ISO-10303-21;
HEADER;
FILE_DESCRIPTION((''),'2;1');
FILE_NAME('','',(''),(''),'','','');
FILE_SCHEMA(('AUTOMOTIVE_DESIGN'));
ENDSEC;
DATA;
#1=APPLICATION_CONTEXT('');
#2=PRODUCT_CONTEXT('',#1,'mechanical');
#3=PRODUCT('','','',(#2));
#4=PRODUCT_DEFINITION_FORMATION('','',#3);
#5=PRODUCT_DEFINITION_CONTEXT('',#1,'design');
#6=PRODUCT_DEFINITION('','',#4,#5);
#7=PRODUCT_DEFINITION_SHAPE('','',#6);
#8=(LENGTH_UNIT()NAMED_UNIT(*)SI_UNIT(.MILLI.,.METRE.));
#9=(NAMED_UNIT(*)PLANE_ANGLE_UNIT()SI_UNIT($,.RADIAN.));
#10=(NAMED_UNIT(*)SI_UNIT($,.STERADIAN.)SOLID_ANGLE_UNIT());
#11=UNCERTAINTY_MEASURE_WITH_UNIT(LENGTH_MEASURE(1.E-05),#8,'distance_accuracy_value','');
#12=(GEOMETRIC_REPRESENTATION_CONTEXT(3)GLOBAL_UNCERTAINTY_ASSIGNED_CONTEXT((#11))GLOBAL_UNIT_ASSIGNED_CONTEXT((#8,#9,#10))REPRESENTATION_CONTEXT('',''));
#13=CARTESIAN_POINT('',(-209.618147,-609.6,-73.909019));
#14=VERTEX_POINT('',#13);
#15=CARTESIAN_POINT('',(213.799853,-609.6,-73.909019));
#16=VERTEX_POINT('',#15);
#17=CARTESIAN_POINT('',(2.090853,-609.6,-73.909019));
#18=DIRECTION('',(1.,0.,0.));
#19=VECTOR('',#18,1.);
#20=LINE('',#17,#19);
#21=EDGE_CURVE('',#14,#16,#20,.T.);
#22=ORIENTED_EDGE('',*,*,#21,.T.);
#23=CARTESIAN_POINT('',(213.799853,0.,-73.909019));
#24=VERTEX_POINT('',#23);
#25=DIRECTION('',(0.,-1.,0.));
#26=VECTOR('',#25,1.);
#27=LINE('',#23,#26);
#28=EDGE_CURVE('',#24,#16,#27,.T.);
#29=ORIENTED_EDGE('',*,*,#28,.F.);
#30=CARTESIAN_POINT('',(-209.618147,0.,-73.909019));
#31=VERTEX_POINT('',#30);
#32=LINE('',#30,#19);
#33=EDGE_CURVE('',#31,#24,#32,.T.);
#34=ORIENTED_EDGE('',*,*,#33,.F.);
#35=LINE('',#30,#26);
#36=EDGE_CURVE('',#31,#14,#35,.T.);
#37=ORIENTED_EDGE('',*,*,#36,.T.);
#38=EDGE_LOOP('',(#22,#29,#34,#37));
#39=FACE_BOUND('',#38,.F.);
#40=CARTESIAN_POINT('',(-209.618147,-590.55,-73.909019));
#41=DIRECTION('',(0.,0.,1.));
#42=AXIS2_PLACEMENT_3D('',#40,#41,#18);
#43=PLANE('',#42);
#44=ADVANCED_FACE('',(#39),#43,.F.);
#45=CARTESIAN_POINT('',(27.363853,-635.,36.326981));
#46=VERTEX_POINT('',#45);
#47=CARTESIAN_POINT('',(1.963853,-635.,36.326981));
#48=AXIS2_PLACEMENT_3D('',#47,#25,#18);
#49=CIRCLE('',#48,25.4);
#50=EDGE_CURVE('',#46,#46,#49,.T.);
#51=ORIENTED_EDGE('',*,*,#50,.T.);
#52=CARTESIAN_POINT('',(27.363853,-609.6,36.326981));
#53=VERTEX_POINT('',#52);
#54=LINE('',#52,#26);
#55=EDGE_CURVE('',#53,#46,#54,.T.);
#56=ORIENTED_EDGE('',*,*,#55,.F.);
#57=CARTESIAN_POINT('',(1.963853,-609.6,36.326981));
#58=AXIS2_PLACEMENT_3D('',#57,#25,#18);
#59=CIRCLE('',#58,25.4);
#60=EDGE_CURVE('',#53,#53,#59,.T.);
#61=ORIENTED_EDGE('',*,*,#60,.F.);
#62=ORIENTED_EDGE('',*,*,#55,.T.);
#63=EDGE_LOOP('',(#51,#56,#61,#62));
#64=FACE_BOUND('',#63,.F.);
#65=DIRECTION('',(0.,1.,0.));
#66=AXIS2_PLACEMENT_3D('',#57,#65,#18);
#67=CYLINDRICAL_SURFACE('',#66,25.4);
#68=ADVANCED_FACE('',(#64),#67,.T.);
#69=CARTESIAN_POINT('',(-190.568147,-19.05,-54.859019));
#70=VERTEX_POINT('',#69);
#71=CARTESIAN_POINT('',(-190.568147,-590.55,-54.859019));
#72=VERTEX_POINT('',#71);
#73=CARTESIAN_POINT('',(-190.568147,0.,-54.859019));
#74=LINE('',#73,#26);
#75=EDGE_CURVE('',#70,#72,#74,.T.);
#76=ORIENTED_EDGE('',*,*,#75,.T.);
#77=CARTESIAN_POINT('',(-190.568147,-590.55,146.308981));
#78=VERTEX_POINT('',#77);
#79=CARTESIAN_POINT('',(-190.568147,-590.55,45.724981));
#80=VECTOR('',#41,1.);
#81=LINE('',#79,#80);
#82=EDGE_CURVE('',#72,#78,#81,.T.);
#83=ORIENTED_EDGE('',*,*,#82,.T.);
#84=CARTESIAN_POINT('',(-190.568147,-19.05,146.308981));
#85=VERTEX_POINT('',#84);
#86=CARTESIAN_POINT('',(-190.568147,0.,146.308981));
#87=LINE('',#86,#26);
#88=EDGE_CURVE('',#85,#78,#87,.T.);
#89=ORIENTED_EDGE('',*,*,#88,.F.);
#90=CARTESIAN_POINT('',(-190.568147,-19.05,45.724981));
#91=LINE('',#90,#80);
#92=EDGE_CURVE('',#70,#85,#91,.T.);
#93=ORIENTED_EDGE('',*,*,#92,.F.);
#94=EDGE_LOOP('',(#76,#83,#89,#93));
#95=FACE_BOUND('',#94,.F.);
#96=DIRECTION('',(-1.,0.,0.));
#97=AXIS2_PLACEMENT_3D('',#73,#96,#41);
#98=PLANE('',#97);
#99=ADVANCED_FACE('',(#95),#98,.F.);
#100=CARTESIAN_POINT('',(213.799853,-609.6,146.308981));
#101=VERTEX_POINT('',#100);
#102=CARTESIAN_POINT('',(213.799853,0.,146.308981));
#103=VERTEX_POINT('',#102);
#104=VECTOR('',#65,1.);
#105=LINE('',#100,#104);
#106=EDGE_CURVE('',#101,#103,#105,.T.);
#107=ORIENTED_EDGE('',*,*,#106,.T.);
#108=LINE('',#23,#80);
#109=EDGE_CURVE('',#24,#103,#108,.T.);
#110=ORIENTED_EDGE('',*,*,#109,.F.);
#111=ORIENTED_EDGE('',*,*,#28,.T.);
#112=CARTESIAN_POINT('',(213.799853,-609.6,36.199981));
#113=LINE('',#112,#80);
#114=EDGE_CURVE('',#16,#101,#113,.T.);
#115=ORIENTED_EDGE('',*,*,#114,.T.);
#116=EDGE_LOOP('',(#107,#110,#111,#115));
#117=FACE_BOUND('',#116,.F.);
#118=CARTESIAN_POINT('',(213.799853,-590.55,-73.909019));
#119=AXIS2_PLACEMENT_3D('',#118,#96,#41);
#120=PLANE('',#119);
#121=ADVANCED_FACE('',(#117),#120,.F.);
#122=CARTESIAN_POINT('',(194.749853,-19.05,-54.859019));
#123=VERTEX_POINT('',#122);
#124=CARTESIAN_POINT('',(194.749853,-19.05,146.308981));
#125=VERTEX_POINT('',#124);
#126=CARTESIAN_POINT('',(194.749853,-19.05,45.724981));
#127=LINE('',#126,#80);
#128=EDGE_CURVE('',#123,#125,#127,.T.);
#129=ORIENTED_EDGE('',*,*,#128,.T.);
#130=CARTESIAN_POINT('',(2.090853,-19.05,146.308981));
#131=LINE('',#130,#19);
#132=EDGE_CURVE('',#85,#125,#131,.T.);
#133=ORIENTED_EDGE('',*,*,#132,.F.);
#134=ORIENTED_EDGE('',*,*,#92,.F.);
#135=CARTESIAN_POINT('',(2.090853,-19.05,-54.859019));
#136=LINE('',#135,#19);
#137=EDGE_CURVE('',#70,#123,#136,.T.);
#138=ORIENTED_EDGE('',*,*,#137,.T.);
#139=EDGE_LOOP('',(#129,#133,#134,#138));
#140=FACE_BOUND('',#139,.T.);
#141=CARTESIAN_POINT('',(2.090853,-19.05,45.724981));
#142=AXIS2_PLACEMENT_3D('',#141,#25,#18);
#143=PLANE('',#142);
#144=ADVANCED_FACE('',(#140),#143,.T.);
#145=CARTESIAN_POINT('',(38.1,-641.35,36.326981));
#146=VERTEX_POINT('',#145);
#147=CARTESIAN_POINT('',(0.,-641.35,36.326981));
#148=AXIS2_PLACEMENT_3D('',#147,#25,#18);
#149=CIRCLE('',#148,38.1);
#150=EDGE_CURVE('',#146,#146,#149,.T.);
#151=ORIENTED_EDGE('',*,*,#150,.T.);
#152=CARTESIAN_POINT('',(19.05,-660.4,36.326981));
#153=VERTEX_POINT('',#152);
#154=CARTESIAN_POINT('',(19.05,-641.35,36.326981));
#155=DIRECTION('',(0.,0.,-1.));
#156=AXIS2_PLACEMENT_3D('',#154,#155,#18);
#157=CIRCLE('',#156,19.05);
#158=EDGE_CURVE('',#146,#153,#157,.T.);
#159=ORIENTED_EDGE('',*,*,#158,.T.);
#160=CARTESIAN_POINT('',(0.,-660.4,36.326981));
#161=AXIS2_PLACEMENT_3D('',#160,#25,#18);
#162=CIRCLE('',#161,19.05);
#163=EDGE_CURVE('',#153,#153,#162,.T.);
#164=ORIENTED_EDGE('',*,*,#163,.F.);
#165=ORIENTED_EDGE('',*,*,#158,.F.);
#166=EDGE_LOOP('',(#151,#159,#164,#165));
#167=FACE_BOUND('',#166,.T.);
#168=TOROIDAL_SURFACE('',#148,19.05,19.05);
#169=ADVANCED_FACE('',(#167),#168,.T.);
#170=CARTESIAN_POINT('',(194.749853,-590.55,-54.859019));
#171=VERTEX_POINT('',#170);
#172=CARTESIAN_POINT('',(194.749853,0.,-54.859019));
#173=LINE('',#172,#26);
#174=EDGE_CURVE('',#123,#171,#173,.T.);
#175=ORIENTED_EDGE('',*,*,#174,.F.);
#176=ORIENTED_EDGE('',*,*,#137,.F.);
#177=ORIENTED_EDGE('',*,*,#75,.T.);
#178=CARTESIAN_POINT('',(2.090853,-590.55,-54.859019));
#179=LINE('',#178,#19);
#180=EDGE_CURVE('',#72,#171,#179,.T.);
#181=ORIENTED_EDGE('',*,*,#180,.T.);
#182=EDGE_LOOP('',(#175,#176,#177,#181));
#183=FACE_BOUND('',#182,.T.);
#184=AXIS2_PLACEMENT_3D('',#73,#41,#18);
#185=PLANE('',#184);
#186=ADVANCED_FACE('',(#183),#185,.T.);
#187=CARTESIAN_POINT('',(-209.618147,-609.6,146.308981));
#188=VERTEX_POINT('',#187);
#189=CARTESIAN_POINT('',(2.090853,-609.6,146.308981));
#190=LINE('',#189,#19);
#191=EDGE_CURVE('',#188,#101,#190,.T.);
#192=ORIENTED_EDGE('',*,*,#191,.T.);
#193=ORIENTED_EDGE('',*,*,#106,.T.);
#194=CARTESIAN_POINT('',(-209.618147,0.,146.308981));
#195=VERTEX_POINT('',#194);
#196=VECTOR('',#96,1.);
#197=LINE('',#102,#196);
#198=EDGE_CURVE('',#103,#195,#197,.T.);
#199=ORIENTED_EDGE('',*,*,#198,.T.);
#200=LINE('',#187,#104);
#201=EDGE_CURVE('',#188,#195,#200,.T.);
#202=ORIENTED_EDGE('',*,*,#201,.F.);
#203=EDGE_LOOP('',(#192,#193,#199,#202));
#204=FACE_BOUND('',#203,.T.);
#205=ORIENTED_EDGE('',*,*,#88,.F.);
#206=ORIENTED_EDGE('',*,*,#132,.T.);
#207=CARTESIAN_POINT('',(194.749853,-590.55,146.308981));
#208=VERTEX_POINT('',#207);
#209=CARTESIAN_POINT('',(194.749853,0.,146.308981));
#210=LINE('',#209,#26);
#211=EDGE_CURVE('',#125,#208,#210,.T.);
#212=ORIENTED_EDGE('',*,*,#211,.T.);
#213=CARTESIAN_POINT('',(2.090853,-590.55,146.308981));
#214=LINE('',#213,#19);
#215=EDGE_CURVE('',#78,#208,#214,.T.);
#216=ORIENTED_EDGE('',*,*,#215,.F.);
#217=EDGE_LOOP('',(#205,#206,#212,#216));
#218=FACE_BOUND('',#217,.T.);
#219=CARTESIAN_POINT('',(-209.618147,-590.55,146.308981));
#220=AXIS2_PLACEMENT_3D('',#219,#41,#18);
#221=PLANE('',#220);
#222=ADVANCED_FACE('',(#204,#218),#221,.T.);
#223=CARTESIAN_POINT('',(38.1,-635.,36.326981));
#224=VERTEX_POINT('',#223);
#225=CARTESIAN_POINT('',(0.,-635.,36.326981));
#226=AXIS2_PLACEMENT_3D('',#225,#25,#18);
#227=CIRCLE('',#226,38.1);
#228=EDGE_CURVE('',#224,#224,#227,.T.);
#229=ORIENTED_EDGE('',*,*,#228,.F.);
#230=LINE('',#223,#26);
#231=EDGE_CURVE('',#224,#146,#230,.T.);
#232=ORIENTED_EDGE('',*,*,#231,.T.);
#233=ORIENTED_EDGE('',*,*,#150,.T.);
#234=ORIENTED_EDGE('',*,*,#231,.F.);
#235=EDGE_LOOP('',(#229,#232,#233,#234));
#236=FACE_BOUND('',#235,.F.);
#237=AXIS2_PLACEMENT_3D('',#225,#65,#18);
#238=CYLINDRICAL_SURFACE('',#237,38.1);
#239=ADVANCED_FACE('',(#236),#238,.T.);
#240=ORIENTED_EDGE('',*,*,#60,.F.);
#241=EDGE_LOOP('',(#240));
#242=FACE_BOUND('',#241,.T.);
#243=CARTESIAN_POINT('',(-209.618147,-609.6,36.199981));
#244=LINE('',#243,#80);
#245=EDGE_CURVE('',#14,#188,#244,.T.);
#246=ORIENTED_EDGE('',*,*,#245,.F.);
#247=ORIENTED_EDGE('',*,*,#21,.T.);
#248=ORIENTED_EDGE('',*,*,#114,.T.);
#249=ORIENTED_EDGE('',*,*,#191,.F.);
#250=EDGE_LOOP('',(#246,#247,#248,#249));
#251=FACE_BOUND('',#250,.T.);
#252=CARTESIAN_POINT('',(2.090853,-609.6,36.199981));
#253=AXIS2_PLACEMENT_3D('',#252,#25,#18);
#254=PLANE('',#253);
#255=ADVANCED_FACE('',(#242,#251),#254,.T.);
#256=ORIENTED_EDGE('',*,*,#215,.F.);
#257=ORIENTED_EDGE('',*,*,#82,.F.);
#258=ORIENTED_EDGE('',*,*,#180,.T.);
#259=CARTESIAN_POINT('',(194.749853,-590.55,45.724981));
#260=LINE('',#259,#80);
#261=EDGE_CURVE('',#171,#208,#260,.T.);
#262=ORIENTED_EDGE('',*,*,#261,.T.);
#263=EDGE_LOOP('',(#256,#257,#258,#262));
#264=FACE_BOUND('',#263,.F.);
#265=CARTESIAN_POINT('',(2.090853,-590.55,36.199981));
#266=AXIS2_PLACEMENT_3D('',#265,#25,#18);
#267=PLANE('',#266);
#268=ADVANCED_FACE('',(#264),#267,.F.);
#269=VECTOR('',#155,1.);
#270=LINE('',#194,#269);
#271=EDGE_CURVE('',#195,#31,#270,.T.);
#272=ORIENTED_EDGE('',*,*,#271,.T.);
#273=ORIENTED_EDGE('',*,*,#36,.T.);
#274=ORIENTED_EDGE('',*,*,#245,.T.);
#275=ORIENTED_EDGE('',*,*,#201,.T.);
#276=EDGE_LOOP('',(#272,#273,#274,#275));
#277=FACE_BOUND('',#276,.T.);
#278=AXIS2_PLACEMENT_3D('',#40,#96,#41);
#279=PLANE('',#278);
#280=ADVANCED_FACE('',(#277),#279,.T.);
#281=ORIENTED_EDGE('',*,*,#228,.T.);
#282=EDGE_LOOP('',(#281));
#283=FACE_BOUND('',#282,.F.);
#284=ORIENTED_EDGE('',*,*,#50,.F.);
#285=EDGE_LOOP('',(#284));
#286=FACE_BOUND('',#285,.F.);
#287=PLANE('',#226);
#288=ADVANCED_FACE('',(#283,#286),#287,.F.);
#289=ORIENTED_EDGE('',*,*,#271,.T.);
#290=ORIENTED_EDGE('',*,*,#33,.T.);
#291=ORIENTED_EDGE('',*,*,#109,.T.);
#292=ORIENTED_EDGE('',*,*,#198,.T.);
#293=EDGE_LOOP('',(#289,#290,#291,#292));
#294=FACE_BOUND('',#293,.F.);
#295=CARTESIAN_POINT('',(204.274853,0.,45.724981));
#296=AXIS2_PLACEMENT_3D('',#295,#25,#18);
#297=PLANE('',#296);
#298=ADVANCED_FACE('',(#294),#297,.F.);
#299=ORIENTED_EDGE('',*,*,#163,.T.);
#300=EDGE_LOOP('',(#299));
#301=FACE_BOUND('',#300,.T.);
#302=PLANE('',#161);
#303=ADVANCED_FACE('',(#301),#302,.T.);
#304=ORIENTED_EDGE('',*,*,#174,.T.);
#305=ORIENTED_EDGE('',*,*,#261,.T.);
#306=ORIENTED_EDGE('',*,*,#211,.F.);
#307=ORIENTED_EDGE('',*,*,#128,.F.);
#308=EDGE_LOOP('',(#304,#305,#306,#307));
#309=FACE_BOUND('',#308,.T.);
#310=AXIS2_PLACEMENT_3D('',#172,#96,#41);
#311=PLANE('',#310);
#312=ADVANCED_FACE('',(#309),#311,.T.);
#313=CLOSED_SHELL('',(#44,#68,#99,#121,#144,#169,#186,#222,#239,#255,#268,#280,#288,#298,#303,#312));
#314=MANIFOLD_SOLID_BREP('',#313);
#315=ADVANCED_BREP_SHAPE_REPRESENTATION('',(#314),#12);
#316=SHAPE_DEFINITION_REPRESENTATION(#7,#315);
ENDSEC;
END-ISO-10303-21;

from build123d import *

# Parameters (mm, degrees)
F0_W     = 385.318
F0_H     = 201.168
F1_DEPTH = 19.05
F0_W_2   = 19.05
F0_H_2   = 19.05
F2_DEPTH = 590.55
F3_W     = 423.418
F3_H     = 220.218
F4_DEPTH = 19.05
F5_R     = 25.4
F6_DEPTH = 25.4
F8_R     = 38.1
F9_DEPTH = 25.4
F10_R    = 19.05


with BuildPart() as f1:
    # F0 (on Front) → F1 (new body)
    with BuildSketch(Plane.XZ):
        with Locations((2.090853, 45.724981)):
            Rectangle(F0_W, F0_H)
    extrude(amount=F1_DEPTH)

    # F0 (on Front) → F2 (join)
    with BuildSketch(Plane.XZ):
        with Locations((204.274853, 45.724981)):
            Rectangle(F0_W_2, F0_H)
        with Locations((-200.093147, 45.724981)):
            Rectangle(F0_W_2, F0_H)
        with Locations((2.090853, -64.384019)):
            Rectangle(F0_W, F0_H_2)
        with Locations((-200.093147, -64.384019)):
            Rectangle(F0_W_2, F0_H_2)
        with Locations((204.274853, -64.384019)):
            Rectangle(F0_W_2, F0_H_2)
    extrude(amount=F2_DEPTH)

    # F3 (on face) → F4 (join)
    with BuildSketch(Plane.XZ.offset(590.55)):
        with Locations((2.090853, 36.199981)):
            Rectangle(F3_W, F3_H)
    extrude(amount=F4_DEPTH)

    # F5 (on face) → F6 (join)
    with BuildSketch(Plane.XZ.offset(609.6)):
        with Locations((1.963853, 36.326981)):
            Circle(F5_R)
    extrude(amount=F6_DEPTH)

    # F8 (on face) → F9 (join)
    with BuildSketch(Plane.XZ.offset(635)):
        with Locations((0, 36.326981)):
            Circle(F8_R)
    extrude(amount=F9_DEPTH)

    # F10
    f10_edges = [f1.edges().sort_by_distance(p)[0] for p in [
        (-38.1, -660.4, 36.326981),
    ]]
    fillet(f10_edges, radius=F10_R)


solid = f1.part
